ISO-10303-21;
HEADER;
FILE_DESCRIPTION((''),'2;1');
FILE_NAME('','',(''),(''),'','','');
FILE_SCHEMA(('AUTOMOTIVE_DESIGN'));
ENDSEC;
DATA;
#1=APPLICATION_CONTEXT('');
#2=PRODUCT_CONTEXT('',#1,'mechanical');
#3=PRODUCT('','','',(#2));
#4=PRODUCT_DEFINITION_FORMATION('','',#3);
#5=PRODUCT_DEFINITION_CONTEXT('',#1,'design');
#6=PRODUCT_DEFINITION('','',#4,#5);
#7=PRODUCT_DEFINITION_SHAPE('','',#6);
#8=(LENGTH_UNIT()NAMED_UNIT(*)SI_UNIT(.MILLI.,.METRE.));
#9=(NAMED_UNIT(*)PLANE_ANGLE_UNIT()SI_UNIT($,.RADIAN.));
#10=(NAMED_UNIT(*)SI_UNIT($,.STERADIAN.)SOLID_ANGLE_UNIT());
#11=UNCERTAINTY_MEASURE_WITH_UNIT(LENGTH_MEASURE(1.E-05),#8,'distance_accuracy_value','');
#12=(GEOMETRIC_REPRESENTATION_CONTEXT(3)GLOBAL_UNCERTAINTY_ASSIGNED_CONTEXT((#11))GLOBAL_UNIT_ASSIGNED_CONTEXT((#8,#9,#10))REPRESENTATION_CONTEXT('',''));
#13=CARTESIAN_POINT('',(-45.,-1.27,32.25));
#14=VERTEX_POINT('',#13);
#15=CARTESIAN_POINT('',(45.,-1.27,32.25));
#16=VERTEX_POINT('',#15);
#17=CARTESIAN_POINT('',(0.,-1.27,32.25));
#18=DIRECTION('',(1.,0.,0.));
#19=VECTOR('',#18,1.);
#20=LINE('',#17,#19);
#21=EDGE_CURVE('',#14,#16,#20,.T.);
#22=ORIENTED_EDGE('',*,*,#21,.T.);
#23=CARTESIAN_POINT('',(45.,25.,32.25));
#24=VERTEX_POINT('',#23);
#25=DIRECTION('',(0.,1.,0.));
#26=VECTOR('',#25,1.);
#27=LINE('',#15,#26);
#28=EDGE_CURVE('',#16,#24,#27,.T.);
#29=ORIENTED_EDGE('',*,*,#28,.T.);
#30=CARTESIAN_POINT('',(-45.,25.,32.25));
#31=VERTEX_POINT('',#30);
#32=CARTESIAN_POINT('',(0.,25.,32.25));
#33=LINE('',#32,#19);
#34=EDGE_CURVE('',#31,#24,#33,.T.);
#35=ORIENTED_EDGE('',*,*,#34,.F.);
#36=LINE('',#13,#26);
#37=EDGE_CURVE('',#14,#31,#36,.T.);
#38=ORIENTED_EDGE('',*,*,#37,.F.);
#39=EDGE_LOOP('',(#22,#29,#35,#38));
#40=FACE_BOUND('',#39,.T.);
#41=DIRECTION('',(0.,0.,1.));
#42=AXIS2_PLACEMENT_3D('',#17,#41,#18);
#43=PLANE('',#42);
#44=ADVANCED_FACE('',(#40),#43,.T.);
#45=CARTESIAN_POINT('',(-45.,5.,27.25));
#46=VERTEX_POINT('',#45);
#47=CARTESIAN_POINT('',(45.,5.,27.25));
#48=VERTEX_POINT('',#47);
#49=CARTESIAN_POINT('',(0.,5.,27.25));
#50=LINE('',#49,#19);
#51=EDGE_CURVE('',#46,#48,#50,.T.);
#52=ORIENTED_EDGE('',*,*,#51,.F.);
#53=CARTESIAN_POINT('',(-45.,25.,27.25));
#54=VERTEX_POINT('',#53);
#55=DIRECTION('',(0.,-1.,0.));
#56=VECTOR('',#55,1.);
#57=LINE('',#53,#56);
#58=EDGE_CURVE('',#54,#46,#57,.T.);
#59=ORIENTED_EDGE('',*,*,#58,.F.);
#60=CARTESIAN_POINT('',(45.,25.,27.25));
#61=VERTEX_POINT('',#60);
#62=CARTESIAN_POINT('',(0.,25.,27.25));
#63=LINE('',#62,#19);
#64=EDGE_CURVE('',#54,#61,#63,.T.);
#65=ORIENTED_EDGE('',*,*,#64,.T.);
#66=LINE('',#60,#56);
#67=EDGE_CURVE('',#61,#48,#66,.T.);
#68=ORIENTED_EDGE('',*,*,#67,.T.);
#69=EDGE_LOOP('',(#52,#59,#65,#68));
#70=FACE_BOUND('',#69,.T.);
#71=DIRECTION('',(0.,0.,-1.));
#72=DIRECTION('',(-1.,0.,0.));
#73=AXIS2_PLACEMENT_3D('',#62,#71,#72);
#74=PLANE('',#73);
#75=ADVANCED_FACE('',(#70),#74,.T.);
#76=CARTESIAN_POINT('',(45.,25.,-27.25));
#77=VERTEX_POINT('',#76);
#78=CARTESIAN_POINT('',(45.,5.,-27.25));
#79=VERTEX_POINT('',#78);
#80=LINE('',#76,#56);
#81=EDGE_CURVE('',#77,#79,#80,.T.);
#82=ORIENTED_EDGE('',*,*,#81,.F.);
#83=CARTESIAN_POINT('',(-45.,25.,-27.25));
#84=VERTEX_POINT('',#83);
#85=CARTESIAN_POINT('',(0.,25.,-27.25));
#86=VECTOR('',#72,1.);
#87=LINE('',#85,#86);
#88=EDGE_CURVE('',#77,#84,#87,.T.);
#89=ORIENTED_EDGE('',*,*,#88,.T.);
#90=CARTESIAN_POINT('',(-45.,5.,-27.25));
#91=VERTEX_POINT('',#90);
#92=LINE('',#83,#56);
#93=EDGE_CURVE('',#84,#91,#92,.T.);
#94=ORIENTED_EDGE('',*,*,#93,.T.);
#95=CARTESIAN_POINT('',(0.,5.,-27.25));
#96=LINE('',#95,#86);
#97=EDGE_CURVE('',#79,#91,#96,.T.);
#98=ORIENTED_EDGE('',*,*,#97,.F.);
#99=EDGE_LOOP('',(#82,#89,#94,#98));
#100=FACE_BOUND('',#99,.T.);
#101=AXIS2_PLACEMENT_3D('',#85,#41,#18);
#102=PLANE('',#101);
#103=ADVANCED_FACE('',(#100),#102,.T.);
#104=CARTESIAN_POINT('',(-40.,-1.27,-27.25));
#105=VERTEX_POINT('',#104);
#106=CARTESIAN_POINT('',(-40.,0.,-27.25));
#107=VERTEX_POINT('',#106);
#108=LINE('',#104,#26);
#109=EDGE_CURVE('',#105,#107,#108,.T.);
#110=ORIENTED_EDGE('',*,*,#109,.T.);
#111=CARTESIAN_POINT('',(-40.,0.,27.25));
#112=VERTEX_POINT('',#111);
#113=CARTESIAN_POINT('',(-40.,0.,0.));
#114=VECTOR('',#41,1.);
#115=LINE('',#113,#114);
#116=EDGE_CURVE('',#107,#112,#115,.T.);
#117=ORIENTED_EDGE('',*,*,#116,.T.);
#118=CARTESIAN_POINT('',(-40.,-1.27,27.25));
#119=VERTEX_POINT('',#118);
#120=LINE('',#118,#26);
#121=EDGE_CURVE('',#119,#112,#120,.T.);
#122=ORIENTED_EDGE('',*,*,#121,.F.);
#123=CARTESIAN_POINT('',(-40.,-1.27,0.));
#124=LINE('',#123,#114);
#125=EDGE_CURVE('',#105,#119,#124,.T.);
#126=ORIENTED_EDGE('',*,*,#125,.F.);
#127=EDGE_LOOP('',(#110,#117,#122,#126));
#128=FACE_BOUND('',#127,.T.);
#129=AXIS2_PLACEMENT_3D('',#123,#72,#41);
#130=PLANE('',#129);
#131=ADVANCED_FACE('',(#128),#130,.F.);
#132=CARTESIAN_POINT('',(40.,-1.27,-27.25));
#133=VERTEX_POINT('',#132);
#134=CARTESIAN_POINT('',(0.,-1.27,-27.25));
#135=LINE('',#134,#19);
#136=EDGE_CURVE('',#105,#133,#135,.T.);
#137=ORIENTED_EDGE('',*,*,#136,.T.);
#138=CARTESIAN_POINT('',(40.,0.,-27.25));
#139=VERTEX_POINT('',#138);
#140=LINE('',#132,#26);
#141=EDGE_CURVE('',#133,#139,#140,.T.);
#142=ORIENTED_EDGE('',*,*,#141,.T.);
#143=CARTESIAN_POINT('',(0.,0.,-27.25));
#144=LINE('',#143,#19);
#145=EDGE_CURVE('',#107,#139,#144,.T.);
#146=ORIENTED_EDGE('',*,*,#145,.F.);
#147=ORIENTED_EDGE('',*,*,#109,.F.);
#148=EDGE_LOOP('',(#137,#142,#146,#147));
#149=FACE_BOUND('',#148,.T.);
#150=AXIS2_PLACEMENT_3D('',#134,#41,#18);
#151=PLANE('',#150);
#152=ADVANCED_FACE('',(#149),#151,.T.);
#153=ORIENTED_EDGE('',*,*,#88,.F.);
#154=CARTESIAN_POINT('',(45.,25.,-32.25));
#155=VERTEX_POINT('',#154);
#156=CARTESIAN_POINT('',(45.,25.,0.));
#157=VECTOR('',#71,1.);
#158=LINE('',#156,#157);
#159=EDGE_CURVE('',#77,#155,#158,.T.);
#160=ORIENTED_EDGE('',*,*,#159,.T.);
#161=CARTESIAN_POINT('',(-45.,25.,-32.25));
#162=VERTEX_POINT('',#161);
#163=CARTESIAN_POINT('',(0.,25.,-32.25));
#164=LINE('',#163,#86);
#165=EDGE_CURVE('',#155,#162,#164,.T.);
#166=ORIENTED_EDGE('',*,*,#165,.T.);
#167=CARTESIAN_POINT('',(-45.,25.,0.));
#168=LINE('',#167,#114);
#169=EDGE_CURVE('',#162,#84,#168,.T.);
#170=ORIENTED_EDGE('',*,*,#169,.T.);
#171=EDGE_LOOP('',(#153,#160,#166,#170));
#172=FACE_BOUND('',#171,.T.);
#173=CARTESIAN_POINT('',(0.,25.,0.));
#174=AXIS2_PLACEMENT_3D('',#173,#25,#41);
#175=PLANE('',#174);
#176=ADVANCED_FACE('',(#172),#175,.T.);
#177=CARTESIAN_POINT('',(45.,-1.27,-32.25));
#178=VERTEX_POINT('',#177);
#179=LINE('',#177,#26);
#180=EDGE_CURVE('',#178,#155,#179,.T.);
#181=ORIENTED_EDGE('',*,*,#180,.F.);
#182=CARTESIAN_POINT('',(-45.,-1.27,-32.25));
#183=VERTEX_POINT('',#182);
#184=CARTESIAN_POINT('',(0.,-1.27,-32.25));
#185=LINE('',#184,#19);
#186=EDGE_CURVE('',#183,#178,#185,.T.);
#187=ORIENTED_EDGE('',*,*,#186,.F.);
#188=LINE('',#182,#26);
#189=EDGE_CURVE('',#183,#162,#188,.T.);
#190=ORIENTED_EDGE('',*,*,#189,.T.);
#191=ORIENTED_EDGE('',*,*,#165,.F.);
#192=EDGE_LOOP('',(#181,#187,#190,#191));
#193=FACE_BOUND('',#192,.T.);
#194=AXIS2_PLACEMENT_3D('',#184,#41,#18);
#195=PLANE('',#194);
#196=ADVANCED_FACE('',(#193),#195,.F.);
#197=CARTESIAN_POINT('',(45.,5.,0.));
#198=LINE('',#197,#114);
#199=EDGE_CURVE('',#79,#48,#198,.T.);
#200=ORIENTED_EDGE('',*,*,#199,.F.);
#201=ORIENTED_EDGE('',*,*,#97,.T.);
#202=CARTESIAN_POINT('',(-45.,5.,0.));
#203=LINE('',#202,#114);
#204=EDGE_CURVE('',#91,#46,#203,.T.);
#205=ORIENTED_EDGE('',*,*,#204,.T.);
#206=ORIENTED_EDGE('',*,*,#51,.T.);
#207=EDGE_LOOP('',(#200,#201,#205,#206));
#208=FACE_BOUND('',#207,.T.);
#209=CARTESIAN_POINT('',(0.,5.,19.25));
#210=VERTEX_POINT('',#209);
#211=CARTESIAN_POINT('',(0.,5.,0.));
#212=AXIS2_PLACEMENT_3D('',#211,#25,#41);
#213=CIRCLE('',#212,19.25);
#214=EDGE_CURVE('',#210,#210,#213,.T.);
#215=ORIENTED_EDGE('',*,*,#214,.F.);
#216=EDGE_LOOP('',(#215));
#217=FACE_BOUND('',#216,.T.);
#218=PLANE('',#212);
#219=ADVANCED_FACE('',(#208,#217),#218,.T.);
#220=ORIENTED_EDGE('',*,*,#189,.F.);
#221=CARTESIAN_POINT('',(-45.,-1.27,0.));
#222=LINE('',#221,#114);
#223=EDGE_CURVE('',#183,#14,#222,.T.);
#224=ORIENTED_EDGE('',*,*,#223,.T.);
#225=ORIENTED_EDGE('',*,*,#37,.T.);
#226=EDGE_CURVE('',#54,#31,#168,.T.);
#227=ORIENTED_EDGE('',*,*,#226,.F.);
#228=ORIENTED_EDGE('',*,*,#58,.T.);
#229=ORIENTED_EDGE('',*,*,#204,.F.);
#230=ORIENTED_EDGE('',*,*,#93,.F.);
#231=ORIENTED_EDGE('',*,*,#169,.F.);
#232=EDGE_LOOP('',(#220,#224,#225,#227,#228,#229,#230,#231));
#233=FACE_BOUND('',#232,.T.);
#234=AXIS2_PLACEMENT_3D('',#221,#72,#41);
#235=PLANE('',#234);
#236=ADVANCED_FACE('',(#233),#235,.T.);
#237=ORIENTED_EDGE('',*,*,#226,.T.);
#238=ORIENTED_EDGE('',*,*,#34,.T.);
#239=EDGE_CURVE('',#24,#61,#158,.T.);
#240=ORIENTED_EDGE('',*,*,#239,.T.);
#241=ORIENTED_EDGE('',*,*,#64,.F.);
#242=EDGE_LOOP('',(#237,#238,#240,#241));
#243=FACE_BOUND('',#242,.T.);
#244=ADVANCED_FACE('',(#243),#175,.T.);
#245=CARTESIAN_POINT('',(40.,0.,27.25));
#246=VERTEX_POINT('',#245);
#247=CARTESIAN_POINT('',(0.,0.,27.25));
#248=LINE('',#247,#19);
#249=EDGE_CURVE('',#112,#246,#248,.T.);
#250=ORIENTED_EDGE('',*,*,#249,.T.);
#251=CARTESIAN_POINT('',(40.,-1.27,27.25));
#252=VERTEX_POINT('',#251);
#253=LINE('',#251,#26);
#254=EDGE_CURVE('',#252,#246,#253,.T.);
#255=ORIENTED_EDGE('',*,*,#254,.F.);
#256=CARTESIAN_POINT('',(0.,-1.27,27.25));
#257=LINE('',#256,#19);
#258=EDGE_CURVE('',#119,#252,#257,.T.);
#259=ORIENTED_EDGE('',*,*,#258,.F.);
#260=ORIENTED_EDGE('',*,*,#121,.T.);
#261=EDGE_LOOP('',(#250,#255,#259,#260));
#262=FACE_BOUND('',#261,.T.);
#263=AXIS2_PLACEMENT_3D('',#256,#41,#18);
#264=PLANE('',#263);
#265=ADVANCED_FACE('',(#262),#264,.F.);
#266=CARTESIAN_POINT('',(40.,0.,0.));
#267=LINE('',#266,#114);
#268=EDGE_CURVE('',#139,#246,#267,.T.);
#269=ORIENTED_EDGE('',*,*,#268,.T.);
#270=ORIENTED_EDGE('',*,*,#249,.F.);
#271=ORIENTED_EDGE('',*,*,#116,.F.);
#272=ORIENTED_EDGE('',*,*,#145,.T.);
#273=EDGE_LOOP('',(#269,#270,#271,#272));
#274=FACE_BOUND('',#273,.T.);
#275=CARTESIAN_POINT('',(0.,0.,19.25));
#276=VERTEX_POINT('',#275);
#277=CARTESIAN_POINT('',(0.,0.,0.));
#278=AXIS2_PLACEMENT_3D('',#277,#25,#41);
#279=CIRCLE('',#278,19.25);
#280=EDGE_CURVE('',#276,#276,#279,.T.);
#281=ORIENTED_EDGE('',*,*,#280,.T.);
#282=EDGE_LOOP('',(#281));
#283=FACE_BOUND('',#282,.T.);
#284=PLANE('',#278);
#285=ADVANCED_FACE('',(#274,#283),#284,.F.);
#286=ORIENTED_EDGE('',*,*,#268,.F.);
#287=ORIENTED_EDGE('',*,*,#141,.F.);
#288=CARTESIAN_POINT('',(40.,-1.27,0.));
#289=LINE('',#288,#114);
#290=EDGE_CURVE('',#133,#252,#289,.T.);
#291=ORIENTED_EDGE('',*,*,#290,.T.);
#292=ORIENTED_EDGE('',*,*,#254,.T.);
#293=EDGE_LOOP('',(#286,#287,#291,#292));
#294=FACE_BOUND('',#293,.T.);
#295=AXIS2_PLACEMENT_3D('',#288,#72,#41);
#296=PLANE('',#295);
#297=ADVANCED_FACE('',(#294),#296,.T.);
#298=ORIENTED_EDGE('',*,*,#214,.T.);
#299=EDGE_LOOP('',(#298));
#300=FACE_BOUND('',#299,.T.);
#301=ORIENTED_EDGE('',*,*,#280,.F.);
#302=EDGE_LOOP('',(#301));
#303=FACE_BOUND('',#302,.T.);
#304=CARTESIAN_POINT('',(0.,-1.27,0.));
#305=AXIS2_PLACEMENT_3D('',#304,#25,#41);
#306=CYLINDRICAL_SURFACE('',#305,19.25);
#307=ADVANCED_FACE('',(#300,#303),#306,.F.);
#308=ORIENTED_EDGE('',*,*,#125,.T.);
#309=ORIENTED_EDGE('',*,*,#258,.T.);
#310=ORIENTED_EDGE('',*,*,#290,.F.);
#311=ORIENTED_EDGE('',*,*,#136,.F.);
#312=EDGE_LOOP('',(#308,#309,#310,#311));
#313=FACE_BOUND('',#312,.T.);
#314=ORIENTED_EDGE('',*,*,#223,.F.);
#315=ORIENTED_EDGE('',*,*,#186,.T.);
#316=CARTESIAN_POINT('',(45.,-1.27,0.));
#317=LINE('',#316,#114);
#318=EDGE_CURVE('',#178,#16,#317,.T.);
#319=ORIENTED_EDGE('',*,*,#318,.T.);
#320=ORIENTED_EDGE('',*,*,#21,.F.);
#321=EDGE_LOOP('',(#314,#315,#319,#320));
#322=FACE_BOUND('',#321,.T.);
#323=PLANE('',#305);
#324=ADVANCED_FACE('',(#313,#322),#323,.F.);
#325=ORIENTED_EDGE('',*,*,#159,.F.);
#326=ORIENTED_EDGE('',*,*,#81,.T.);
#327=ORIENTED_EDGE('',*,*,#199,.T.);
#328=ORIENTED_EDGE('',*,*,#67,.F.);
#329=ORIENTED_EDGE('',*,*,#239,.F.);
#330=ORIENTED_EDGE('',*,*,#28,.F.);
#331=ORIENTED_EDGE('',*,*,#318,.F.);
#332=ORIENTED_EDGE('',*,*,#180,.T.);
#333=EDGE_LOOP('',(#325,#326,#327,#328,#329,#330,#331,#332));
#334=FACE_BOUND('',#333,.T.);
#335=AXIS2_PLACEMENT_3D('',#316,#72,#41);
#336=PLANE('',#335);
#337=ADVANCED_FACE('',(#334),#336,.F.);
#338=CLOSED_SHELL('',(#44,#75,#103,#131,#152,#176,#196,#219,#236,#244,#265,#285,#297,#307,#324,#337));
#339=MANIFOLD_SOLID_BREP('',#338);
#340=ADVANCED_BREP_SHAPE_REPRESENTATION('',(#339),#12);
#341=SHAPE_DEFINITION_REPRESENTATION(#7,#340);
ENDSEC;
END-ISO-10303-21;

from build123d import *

# Parameters (mm, degrees)
SKETCH1_W               = 80
SKETCH1_H               = 54.5
BOSS_EXTRUDE1_DEPTH     = 1.27
SHELL4_T                = 5
SKETCH7_W               = 90
SKETCH7_H               = 5
BOSS_EXTRUDE4_DEPTH     = 20
CUT_EXTRUDE3_DEPTH      = 61.745884634
CUT_EXTRUDE3_DEPTH_BACK = 61.745884634
SKETCH1_5_R             = 19.25


with BuildPart() as part:
    # Sketch1 → Boss-Extrude1 (new body)
    with BuildSketch(Plane(origin=(0, 0, 0), x_dir=(1, 0, 0), z_dir=(0, 1, 0))):
        Rectangle(SKETCH1_W, SKETCH1_H)
    extrude(amount=-BOSS_EXTRUDE1_DEPTH)

    # Shell4
    shell4_openings = [part.faces().sort_by_distance(p)[0] for p in [
        (0, -1.27, 0),
    ]]
    offset(amount=SHELL4_T, openings=shell4_openings, kind=Kind.INTERSECTION)

    # Sketch7 → Boss-Extrude4 (add)
    with BuildSketch(Plane(origin=(0, 5, 0), x_dir=(1, 0, 0), z_dir=(0, 1, 0))):
        with Locations((0, 29.75)):
            Rectangle(SKETCH7_W, SKETCH7_H)
        with Locations((0, -29.75)):
            Rectangle(SKETCH7_W, SKETCH7_H)
    extrude(amount=BOSS_EXTRUDE4_DEPTH)

    # Sketch1<5> → Cut-Extrude3 (cut, two sides: drawn at the far end of the back side and taken through both)
    with BuildSketch(Plane(origin=(0, 0, 0), x_dir=(1, 0, 0), z_dir=(0, 1, 0)).offset(-CUT_EXTRUDE3_DEPTH_BACK)):
        Circle(SKETCH1_5_R)
    extrude(amount=CUT_EXTRUDE3_DEPTH + CUT_EXTRUDE3_DEPTH_BACK, mode=Mode.SUBTRACT)


solid = part.part
